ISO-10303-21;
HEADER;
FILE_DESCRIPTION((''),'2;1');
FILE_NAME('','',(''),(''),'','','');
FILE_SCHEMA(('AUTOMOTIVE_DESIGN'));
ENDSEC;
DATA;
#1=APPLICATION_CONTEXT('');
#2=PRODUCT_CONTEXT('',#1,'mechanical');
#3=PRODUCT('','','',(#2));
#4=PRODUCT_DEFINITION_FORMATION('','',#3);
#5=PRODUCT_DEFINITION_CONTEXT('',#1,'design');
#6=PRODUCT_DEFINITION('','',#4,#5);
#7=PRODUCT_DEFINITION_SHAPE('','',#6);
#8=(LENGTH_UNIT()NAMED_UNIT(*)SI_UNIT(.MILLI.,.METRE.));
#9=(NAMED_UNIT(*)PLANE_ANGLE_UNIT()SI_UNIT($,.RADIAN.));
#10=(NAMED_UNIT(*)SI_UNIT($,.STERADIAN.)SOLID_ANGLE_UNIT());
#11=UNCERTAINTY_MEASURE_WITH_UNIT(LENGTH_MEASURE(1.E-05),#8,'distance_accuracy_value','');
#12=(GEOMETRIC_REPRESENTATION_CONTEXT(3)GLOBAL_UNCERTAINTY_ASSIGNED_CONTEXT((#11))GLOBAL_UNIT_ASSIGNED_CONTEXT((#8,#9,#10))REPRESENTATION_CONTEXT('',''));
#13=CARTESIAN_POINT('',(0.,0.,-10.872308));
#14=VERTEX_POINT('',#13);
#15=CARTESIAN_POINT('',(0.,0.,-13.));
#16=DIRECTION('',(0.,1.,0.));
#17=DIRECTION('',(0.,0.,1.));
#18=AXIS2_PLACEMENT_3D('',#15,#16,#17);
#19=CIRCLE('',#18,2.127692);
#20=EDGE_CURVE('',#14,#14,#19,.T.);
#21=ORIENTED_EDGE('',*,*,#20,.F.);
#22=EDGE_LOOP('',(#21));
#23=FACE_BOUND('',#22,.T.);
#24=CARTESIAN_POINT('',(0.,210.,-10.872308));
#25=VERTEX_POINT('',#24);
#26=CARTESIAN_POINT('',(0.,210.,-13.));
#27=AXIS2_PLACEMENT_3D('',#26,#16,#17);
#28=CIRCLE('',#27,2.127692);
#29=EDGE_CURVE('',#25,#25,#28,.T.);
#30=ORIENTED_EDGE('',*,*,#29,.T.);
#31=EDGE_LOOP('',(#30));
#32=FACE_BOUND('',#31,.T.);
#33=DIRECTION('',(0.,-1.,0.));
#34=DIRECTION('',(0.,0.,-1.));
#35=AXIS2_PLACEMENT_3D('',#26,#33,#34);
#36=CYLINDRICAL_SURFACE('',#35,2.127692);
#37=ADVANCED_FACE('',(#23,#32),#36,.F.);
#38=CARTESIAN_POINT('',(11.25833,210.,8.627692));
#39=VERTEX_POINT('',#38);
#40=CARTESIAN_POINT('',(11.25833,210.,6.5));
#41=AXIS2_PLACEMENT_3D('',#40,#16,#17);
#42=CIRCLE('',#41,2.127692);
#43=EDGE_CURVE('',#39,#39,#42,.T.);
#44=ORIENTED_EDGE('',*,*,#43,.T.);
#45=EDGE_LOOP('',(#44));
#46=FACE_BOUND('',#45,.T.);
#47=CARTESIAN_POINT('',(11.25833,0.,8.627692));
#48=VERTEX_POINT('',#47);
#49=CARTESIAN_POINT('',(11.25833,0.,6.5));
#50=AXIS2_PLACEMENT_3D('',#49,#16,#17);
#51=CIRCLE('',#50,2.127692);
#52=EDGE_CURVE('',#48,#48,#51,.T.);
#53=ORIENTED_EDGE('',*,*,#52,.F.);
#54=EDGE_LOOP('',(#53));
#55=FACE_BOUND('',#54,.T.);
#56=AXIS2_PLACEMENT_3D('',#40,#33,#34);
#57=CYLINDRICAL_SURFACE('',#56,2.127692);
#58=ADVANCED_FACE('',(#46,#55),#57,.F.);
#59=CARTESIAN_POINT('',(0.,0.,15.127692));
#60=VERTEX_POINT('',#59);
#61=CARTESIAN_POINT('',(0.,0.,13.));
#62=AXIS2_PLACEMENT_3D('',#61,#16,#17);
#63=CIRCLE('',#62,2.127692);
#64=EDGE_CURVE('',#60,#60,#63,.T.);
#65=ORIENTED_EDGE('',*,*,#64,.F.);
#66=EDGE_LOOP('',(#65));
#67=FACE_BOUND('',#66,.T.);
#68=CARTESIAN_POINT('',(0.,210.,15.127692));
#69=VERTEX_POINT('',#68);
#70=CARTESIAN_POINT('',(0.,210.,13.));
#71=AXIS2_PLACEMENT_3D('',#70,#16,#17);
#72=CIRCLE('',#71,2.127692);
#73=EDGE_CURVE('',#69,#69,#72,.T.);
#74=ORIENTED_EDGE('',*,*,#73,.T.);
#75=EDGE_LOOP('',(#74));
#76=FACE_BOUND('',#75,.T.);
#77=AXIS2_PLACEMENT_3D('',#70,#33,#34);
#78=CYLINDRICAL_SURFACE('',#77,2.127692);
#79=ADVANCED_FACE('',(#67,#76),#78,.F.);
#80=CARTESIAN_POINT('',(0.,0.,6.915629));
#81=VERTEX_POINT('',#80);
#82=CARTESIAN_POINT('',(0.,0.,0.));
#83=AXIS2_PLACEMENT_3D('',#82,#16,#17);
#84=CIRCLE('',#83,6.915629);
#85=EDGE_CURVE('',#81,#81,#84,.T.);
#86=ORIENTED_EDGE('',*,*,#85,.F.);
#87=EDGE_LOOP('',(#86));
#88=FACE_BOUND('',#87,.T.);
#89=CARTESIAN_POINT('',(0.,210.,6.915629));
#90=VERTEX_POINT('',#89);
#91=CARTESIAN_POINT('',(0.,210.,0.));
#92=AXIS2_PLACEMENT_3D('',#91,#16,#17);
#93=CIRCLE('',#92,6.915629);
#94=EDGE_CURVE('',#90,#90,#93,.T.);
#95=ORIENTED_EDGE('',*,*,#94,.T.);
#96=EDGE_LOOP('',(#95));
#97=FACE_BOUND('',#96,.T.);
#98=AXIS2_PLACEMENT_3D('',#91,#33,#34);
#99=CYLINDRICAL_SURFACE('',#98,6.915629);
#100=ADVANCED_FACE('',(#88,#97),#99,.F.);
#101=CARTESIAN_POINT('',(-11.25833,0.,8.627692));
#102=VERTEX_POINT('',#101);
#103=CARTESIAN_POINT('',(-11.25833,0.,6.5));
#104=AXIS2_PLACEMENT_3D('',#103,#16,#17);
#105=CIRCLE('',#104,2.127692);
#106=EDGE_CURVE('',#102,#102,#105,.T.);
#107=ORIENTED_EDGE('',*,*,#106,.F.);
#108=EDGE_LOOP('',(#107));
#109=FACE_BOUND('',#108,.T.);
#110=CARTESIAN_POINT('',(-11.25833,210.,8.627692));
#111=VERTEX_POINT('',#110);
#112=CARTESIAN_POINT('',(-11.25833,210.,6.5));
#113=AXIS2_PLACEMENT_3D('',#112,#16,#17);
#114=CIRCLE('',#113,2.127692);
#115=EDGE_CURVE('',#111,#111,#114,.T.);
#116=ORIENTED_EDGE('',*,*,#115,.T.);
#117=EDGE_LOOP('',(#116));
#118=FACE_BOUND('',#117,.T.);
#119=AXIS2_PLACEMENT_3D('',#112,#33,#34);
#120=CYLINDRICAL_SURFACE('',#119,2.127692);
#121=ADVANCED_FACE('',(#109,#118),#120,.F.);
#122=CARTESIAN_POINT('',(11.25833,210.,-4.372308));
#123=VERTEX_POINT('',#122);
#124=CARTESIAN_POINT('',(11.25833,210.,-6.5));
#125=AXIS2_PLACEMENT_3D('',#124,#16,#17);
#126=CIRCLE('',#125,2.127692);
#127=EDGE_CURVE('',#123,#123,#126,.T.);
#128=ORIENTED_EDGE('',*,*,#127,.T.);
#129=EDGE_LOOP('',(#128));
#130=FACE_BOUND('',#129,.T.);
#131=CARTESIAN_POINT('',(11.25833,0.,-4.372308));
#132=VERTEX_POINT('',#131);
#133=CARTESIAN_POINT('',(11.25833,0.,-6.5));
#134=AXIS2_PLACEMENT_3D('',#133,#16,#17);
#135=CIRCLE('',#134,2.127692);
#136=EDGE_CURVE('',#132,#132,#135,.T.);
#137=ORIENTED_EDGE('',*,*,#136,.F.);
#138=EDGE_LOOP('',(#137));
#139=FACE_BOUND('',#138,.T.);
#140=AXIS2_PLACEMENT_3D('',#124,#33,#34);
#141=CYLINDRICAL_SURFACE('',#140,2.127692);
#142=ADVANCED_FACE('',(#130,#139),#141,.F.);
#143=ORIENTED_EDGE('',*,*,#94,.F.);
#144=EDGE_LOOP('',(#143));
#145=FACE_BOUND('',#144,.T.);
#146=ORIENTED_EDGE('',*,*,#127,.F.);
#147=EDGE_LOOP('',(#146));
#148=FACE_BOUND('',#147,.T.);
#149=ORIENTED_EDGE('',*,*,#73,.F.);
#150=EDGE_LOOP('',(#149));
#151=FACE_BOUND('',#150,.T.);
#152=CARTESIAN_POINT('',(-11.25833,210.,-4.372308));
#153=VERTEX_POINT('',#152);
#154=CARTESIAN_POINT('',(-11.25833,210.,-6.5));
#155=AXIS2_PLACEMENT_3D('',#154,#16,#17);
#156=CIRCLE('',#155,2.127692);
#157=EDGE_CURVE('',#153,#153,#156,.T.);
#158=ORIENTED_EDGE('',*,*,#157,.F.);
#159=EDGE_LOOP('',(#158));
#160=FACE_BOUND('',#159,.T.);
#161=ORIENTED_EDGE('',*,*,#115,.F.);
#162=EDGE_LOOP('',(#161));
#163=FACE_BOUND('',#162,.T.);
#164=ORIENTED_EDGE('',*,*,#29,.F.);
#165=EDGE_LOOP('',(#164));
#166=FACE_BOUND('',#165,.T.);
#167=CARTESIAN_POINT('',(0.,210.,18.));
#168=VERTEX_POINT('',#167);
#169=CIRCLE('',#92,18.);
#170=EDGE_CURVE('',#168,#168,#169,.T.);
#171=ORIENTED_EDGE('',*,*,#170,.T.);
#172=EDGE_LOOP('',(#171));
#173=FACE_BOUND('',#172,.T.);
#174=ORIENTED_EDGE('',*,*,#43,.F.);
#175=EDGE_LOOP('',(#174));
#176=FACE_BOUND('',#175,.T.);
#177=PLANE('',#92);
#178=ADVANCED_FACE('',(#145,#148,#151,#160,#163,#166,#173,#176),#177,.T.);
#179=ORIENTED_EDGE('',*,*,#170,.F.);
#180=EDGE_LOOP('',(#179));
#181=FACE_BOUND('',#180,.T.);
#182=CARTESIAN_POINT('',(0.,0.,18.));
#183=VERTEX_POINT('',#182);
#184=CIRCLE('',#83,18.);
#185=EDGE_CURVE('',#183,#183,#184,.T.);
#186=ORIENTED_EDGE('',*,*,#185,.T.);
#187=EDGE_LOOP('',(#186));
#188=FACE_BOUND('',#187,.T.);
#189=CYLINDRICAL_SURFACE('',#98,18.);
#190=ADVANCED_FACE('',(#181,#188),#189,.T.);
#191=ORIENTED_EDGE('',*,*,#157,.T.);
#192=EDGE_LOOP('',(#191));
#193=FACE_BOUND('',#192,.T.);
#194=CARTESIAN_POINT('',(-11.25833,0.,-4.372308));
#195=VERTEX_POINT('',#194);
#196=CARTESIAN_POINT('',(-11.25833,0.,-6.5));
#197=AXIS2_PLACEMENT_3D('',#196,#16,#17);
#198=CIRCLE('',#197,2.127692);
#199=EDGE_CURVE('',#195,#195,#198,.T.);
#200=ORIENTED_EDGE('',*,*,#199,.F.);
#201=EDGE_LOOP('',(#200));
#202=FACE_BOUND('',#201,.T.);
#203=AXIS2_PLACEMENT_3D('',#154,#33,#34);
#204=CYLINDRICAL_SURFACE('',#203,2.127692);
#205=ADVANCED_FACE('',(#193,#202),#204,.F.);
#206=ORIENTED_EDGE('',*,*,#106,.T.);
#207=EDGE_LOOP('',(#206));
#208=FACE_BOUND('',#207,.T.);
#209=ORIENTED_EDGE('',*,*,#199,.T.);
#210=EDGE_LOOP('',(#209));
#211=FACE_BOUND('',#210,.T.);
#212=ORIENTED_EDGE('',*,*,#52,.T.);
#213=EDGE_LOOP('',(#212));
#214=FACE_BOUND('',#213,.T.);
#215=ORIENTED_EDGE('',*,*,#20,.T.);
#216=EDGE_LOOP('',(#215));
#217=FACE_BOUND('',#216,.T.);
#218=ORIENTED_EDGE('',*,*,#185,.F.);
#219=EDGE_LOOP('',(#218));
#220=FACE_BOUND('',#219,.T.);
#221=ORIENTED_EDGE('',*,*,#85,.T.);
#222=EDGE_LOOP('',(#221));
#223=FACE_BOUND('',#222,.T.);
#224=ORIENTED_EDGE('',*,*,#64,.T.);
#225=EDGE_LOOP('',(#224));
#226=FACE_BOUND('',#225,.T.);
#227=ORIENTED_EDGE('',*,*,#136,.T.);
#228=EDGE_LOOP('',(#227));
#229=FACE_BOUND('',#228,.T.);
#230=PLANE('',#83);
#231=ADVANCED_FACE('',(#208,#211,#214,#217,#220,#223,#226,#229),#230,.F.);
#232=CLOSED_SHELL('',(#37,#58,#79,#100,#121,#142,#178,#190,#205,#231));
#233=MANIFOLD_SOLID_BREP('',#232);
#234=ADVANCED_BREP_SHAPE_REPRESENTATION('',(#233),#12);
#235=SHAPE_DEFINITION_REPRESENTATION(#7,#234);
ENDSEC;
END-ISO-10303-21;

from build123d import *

# Parameters (mm, degrees)
SKETCH1_R           = 18
SKETCH1_R_2         = 2.12769231
SKETCH1_R_3         = 6.9156293
BOSS_EXTRUDE1_DEPTH = 210


with BuildPart() as part:
    # Sketch1 → Boss-Extrude1 (new body)
    with BuildSketch(Plane(origin=(0, 0, 0), x_dir=(1, 0, 0), z_dir=(0, 1, 0))):
        Circle(SKETCH1_R)
        with Locations((0, 13)):
            Circle(SKETCH1_R_2, mode=Mode.SUBTRACT)
        Circle(SKETCH1_R_3, mode=Mode.SUBTRACT)
        with Locations((11.258330249, 6.5)):
            Circle(SKETCH1_R_2, mode=Mode.SUBTRACT)
        with Locations((11.258330249, -6.5)):
            Circle(SKETCH1_R_2, mode=Mode.SUBTRACT)
        with Locations((0, -13)):
            Circle(SKETCH1_R_2, mode=Mode.SUBTRACT)
        with Locations((-11.258330249, -6.5)):
            Circle(SKETCH1_R_2, mode=Mode.SUBTRACT)
        with Locations((-11.258330249, 6.5)):
            Circle(SKETCH1_R_2, mode=Mode.SUBTRACT)
    extrude(amount=BOSS_EXTRUDE1_DEPTH)


solid = part.part
